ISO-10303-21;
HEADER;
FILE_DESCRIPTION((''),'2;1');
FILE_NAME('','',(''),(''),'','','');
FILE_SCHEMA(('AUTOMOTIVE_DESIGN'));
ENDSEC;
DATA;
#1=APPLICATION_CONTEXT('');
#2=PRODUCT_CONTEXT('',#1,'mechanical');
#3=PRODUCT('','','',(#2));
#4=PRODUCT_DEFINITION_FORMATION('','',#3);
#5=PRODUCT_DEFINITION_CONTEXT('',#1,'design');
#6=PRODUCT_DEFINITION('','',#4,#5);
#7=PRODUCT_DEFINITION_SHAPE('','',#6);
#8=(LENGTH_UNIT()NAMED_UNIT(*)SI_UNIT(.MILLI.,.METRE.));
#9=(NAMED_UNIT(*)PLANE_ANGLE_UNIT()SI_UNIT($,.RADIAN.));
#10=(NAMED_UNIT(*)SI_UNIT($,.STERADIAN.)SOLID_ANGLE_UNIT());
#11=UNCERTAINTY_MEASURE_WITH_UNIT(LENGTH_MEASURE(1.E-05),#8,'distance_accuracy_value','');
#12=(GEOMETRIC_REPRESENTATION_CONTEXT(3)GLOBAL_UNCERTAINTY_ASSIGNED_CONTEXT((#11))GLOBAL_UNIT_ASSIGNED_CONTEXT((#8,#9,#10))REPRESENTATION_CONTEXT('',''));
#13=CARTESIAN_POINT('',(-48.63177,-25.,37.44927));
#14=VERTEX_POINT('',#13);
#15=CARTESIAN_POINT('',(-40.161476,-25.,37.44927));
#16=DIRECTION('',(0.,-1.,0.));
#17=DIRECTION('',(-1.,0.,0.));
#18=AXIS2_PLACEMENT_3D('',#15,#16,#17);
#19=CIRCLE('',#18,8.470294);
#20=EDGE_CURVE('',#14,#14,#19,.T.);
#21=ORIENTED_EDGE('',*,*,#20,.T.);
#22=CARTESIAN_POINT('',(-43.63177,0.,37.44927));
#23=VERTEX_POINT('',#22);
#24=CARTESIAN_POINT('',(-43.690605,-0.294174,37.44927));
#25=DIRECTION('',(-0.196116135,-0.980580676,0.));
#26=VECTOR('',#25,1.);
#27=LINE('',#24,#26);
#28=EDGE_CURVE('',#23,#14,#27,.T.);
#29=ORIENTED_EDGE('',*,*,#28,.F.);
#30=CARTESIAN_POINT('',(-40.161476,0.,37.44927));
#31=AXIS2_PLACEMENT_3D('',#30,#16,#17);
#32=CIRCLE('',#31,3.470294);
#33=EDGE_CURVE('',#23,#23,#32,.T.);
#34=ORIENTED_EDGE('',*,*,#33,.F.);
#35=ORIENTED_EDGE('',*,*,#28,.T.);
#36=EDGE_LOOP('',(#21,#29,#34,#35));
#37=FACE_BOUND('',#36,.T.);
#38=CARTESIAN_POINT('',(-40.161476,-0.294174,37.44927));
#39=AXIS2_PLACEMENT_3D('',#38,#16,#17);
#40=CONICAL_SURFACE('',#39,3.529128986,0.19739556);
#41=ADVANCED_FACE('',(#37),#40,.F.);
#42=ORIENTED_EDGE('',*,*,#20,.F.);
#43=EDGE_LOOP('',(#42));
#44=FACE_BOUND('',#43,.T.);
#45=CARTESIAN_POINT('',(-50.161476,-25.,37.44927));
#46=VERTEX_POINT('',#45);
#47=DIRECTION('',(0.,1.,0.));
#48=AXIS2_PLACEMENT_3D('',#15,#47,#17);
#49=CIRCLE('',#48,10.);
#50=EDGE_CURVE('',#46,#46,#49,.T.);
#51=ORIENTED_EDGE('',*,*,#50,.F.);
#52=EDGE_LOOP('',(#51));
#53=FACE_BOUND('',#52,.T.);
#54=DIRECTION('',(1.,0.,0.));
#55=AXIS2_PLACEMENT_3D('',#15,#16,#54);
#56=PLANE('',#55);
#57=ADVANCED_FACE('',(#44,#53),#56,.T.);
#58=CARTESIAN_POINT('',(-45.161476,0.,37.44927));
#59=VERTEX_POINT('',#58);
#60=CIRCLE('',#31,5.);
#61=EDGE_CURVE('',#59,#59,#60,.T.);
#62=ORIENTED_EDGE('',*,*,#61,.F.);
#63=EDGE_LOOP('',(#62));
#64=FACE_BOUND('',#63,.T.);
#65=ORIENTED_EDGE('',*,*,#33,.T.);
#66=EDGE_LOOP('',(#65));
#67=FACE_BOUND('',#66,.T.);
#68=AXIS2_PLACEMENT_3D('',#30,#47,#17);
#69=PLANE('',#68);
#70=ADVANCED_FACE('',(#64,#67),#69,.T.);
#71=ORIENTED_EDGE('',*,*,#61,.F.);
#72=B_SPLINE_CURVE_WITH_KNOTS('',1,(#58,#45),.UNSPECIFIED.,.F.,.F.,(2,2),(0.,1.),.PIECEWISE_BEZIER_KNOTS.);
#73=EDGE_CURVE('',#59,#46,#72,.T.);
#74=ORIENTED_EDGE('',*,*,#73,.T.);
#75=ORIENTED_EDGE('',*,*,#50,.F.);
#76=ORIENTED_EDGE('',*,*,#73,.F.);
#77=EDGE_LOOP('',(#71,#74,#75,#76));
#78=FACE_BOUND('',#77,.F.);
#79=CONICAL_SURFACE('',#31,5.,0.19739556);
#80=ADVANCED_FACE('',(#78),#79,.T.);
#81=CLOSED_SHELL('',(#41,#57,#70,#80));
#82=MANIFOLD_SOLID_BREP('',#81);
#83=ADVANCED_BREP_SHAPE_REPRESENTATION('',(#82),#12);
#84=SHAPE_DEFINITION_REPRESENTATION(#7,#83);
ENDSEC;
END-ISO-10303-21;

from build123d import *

# Parameters (mm, degrees)
F0_R       = 10
F1_DEPTH   = 25
F2_R       = 5
F1_FACE1_R = 10
F4_T       = -1.5


with BuildPart() as f1:
    # F0 (on Front) → F1 (new body)
    with BuildSketch(Plane.XZ):
        with Locations((-40.1614755392, 37.4492704868)):
            Circle(F0_R)
    extrude(amount=F1_DEPTH)

    # F2 (on face) → F3 section 0
    with BuildSketch(Plane(origin=(0, 0, 0), x_dir=(-1, 0, 0), z_dir=(0, 1, 0))):
        with Locations((40.1614755392, 37.4492704868)):
            Circle(F2_R)
    # F1_face1 (on face) → F3 section 1
    with BuildSketch(Plane(origin=(-40.1614755392, -25, 37.4492704868), x_dir=(1, 0, 0), z_dir=(0, -1, 0))):
        Circle(F1_FACE1_R)
    loft(mode=Mode.INTERSECT)

    # F4
    f4_openings = [f1.faces().sort_by_distance(p)[0] for p in [
        (-40.161476, -25, 37.44927),
        (-40.161476, 0, 37.44927),
    ]]
    offset(amount=F4_T, openings=f4_openings, kind=Kind.INTERSECTION)


solid = f1.part
